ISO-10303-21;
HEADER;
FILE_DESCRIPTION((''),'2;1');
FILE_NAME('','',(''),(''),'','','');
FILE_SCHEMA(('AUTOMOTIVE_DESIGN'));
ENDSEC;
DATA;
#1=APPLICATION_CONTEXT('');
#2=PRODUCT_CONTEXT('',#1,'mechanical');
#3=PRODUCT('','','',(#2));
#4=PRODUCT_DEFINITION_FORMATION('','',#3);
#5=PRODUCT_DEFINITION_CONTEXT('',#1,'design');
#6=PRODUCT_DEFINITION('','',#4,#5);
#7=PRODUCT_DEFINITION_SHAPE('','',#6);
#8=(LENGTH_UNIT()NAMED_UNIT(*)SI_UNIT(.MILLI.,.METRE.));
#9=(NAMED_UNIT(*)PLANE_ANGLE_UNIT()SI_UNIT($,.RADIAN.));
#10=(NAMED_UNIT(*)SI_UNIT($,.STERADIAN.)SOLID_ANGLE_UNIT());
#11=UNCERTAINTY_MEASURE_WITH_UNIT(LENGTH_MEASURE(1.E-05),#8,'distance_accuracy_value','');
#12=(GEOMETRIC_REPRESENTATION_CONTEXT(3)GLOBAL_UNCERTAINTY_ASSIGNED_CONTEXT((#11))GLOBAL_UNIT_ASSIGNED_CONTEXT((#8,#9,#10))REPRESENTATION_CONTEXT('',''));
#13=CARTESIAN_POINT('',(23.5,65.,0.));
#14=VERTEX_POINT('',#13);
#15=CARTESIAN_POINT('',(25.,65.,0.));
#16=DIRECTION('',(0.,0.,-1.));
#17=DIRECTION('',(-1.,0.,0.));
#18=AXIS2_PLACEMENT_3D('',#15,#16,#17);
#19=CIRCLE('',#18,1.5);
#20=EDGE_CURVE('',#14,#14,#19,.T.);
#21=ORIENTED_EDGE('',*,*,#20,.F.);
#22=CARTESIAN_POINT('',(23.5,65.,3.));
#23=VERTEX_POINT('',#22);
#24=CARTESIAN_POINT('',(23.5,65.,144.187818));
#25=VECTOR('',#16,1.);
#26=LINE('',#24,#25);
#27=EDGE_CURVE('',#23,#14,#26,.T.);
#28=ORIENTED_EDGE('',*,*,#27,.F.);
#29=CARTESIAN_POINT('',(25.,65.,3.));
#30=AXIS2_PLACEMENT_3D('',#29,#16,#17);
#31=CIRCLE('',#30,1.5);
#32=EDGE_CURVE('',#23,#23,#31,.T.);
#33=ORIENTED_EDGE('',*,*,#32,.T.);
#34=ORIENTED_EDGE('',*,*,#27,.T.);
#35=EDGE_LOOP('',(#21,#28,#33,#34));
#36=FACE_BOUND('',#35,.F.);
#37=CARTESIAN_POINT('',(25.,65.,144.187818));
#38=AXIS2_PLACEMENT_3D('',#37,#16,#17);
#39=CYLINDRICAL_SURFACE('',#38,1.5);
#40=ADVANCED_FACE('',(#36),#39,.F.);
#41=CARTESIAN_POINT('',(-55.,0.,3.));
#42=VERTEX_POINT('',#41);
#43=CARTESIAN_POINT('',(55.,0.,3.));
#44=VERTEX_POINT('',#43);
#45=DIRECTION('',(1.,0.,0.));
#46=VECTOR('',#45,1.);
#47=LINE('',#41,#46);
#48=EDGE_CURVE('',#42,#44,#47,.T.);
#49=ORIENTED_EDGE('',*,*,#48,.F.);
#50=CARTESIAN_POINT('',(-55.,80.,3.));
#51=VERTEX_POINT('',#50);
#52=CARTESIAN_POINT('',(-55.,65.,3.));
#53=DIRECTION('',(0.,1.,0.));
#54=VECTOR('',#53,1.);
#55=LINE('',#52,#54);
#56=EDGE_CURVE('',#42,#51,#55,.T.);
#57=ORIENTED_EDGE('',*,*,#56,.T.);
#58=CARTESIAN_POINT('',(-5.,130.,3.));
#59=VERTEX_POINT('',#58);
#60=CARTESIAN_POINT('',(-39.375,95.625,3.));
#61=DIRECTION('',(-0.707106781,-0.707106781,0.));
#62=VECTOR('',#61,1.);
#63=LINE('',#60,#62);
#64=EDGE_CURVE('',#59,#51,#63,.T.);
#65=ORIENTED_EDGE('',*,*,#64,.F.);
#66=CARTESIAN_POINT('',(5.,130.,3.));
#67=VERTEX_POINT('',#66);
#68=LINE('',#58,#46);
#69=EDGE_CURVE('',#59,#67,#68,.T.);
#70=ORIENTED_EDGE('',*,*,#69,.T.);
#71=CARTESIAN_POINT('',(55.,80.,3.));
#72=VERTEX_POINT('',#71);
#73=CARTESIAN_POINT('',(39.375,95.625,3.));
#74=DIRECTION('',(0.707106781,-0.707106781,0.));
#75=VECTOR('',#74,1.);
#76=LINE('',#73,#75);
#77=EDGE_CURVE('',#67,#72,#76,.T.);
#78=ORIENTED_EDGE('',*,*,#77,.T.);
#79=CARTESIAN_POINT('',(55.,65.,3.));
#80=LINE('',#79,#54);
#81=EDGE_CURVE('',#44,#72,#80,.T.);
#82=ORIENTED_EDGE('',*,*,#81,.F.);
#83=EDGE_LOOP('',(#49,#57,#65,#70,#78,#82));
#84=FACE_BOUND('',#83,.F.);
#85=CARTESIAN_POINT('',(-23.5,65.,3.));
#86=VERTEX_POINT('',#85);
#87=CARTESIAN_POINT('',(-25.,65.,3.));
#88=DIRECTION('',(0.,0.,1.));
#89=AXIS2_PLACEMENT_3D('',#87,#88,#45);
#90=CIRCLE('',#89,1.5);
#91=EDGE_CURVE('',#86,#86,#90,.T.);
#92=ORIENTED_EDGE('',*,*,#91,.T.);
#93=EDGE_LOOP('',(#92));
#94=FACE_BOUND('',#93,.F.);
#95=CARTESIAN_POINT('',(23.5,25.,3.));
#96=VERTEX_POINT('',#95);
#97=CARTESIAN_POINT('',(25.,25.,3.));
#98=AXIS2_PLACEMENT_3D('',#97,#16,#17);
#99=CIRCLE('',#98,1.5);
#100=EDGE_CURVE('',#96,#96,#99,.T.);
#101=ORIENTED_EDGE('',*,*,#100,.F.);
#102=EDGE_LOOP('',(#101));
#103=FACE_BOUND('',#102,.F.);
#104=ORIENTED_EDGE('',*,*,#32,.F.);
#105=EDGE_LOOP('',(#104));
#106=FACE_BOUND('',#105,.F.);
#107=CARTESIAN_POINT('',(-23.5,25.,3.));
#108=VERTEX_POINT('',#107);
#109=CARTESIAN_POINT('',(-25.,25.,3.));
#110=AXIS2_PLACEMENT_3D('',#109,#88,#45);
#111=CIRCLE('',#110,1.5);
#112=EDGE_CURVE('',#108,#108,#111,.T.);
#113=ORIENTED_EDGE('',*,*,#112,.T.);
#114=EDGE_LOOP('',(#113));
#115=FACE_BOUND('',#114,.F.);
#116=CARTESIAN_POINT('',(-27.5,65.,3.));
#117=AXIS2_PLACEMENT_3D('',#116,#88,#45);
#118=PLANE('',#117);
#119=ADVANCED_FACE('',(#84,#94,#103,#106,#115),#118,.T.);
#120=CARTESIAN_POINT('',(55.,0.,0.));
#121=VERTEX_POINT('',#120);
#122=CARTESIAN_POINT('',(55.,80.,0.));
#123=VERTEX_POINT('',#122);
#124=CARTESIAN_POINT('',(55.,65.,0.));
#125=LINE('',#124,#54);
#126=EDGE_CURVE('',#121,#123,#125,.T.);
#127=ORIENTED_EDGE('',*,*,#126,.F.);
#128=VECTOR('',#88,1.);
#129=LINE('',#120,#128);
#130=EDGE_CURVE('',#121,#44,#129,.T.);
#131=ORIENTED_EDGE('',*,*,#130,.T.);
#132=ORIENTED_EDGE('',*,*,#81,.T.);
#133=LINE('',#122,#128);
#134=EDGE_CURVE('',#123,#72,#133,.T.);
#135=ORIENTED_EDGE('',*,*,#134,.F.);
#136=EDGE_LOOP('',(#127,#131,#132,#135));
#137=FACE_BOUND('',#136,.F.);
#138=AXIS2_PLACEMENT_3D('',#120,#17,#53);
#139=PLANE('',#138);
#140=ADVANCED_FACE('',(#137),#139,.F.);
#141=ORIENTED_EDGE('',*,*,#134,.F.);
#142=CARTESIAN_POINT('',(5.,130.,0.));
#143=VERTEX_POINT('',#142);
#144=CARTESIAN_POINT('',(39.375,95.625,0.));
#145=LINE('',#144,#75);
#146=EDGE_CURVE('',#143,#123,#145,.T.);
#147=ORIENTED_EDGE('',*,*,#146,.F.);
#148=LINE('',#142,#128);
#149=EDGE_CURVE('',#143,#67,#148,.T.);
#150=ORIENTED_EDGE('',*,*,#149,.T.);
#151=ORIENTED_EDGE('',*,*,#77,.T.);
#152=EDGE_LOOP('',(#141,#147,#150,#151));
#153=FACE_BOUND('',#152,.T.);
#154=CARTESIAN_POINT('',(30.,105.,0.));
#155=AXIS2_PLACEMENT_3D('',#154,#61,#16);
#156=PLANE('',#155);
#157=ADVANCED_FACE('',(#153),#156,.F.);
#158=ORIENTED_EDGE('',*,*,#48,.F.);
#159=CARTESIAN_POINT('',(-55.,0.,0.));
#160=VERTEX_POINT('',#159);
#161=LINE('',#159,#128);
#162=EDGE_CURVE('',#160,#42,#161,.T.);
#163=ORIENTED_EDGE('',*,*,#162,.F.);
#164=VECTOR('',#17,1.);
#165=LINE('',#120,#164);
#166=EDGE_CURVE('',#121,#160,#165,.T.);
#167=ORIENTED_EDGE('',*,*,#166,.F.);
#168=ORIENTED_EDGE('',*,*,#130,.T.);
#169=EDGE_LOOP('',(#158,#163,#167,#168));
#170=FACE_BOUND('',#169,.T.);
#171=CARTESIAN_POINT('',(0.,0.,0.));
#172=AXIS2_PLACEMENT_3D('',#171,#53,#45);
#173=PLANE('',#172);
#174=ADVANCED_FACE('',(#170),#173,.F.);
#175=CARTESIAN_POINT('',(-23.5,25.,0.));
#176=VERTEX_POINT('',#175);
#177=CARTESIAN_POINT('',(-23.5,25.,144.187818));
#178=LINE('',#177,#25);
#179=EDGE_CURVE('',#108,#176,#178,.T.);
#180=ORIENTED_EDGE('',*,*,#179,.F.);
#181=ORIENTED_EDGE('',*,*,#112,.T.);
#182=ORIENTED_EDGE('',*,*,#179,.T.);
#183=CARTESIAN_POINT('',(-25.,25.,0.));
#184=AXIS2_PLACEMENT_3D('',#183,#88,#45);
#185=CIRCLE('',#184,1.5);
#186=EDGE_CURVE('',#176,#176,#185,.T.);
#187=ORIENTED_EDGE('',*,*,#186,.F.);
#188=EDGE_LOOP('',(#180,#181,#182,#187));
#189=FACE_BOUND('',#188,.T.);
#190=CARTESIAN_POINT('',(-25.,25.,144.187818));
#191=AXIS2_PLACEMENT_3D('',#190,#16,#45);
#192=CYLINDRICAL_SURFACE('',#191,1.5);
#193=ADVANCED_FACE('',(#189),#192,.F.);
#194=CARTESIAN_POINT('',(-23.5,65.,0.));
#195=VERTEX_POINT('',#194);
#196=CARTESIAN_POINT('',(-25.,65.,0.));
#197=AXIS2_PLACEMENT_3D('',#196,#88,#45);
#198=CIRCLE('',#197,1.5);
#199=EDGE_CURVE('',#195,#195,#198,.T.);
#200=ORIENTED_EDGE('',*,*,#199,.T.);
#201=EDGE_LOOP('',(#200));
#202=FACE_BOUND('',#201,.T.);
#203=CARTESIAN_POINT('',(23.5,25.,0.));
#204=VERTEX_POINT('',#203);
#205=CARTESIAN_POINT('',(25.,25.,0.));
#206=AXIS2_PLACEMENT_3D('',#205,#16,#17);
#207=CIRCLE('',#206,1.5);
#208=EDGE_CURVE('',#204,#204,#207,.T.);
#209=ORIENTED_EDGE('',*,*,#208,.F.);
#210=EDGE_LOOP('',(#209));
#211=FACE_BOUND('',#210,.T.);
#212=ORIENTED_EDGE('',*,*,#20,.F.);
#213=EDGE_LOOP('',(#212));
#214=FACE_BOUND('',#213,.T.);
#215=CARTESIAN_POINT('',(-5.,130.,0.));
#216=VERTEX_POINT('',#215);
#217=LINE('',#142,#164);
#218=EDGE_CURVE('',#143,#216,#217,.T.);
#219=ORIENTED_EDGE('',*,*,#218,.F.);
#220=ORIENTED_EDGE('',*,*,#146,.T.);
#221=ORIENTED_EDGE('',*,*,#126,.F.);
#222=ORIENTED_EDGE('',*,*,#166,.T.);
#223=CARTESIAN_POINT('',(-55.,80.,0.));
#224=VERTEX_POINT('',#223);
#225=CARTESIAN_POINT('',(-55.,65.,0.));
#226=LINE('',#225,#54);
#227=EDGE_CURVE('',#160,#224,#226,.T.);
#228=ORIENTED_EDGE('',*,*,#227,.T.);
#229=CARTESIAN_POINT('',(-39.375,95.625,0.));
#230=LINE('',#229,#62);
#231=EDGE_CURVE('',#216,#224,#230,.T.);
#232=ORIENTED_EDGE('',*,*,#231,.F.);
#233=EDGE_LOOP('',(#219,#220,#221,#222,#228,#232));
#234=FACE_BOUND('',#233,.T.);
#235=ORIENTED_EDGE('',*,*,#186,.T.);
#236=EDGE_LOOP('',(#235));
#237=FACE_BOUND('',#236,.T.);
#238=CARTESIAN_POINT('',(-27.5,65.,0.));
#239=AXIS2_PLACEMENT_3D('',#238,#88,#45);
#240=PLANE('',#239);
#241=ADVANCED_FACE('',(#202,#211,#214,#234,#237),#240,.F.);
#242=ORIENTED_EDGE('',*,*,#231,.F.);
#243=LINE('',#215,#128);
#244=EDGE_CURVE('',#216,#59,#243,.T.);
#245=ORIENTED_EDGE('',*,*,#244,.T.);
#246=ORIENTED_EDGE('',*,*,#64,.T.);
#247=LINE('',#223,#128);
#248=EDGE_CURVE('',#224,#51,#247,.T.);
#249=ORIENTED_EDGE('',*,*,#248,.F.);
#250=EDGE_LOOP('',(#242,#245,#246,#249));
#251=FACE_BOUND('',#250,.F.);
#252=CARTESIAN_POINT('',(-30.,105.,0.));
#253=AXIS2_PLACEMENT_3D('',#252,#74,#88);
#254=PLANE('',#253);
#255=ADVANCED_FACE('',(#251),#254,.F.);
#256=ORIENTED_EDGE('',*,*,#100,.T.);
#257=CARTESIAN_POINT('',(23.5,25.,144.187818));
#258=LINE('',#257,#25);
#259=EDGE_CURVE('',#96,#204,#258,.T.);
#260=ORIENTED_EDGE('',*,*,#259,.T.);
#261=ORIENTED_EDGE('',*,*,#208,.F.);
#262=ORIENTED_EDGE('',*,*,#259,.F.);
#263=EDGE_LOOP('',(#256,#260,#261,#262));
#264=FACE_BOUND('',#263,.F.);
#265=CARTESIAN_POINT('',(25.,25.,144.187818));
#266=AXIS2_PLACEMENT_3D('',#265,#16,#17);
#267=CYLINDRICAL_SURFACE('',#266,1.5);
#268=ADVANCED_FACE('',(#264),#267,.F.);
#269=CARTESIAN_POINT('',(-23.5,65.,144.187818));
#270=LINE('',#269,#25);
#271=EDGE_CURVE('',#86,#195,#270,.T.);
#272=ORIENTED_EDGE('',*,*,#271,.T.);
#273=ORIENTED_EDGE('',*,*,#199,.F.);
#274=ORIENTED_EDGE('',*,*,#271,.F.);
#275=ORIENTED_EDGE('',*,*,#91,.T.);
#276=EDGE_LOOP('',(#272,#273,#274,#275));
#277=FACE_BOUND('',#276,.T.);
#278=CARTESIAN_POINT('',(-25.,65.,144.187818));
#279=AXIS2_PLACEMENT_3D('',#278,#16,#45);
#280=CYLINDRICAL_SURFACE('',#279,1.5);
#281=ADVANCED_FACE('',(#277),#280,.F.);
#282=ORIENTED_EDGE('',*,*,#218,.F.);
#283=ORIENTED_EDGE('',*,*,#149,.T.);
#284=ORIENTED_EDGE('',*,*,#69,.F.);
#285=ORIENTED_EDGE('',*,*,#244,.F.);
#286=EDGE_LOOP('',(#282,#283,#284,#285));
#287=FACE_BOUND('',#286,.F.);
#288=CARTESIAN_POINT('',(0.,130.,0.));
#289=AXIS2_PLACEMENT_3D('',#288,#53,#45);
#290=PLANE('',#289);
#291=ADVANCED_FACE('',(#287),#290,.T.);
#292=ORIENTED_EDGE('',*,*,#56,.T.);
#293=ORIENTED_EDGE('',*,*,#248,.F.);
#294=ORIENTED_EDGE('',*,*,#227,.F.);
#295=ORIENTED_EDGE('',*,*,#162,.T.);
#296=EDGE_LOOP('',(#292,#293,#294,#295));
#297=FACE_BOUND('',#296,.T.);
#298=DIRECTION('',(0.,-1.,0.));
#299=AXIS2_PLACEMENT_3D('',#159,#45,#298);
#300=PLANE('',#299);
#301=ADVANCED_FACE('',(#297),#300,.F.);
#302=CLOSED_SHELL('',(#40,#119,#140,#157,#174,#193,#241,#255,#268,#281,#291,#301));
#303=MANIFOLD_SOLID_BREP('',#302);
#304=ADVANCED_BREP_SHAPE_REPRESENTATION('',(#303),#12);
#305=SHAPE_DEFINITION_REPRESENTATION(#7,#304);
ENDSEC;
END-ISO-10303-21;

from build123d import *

# Parameters (mm, degrees)
F0_W     = 55
F0_H     = 130
F1_DEPTH = 3
F3_D     = 3
F4_SIZE  = 50


with BuildPart() as f1:
    # F0 (on Top) → F1 (new body)
    with BuildSketch(Plane.XY):
        with Locations((27.5, 65)):
            Rectangle(F0_W, F0_H)
    extrude(amount=F1_DEPTH)

    # F3 (through all)
    with Locations(Plane.XY.offset(3)):
        with Locations((25, 25), (25, 65)):
            Hole(F3_D / 2)

    # F4
    f4_edges = [f1.edges().sort_by_distance(p)[0] for p in [
        (55, 130, 1.5),
    ]]
    chamfer(f4_edges, length=F4_SIZE)

    # F5: F1 across plane


with BuildPart() as f1_1:
    add(f1.part)
    add(f1.part.mirror(Plane.YZ))


solid = f1_1.part
